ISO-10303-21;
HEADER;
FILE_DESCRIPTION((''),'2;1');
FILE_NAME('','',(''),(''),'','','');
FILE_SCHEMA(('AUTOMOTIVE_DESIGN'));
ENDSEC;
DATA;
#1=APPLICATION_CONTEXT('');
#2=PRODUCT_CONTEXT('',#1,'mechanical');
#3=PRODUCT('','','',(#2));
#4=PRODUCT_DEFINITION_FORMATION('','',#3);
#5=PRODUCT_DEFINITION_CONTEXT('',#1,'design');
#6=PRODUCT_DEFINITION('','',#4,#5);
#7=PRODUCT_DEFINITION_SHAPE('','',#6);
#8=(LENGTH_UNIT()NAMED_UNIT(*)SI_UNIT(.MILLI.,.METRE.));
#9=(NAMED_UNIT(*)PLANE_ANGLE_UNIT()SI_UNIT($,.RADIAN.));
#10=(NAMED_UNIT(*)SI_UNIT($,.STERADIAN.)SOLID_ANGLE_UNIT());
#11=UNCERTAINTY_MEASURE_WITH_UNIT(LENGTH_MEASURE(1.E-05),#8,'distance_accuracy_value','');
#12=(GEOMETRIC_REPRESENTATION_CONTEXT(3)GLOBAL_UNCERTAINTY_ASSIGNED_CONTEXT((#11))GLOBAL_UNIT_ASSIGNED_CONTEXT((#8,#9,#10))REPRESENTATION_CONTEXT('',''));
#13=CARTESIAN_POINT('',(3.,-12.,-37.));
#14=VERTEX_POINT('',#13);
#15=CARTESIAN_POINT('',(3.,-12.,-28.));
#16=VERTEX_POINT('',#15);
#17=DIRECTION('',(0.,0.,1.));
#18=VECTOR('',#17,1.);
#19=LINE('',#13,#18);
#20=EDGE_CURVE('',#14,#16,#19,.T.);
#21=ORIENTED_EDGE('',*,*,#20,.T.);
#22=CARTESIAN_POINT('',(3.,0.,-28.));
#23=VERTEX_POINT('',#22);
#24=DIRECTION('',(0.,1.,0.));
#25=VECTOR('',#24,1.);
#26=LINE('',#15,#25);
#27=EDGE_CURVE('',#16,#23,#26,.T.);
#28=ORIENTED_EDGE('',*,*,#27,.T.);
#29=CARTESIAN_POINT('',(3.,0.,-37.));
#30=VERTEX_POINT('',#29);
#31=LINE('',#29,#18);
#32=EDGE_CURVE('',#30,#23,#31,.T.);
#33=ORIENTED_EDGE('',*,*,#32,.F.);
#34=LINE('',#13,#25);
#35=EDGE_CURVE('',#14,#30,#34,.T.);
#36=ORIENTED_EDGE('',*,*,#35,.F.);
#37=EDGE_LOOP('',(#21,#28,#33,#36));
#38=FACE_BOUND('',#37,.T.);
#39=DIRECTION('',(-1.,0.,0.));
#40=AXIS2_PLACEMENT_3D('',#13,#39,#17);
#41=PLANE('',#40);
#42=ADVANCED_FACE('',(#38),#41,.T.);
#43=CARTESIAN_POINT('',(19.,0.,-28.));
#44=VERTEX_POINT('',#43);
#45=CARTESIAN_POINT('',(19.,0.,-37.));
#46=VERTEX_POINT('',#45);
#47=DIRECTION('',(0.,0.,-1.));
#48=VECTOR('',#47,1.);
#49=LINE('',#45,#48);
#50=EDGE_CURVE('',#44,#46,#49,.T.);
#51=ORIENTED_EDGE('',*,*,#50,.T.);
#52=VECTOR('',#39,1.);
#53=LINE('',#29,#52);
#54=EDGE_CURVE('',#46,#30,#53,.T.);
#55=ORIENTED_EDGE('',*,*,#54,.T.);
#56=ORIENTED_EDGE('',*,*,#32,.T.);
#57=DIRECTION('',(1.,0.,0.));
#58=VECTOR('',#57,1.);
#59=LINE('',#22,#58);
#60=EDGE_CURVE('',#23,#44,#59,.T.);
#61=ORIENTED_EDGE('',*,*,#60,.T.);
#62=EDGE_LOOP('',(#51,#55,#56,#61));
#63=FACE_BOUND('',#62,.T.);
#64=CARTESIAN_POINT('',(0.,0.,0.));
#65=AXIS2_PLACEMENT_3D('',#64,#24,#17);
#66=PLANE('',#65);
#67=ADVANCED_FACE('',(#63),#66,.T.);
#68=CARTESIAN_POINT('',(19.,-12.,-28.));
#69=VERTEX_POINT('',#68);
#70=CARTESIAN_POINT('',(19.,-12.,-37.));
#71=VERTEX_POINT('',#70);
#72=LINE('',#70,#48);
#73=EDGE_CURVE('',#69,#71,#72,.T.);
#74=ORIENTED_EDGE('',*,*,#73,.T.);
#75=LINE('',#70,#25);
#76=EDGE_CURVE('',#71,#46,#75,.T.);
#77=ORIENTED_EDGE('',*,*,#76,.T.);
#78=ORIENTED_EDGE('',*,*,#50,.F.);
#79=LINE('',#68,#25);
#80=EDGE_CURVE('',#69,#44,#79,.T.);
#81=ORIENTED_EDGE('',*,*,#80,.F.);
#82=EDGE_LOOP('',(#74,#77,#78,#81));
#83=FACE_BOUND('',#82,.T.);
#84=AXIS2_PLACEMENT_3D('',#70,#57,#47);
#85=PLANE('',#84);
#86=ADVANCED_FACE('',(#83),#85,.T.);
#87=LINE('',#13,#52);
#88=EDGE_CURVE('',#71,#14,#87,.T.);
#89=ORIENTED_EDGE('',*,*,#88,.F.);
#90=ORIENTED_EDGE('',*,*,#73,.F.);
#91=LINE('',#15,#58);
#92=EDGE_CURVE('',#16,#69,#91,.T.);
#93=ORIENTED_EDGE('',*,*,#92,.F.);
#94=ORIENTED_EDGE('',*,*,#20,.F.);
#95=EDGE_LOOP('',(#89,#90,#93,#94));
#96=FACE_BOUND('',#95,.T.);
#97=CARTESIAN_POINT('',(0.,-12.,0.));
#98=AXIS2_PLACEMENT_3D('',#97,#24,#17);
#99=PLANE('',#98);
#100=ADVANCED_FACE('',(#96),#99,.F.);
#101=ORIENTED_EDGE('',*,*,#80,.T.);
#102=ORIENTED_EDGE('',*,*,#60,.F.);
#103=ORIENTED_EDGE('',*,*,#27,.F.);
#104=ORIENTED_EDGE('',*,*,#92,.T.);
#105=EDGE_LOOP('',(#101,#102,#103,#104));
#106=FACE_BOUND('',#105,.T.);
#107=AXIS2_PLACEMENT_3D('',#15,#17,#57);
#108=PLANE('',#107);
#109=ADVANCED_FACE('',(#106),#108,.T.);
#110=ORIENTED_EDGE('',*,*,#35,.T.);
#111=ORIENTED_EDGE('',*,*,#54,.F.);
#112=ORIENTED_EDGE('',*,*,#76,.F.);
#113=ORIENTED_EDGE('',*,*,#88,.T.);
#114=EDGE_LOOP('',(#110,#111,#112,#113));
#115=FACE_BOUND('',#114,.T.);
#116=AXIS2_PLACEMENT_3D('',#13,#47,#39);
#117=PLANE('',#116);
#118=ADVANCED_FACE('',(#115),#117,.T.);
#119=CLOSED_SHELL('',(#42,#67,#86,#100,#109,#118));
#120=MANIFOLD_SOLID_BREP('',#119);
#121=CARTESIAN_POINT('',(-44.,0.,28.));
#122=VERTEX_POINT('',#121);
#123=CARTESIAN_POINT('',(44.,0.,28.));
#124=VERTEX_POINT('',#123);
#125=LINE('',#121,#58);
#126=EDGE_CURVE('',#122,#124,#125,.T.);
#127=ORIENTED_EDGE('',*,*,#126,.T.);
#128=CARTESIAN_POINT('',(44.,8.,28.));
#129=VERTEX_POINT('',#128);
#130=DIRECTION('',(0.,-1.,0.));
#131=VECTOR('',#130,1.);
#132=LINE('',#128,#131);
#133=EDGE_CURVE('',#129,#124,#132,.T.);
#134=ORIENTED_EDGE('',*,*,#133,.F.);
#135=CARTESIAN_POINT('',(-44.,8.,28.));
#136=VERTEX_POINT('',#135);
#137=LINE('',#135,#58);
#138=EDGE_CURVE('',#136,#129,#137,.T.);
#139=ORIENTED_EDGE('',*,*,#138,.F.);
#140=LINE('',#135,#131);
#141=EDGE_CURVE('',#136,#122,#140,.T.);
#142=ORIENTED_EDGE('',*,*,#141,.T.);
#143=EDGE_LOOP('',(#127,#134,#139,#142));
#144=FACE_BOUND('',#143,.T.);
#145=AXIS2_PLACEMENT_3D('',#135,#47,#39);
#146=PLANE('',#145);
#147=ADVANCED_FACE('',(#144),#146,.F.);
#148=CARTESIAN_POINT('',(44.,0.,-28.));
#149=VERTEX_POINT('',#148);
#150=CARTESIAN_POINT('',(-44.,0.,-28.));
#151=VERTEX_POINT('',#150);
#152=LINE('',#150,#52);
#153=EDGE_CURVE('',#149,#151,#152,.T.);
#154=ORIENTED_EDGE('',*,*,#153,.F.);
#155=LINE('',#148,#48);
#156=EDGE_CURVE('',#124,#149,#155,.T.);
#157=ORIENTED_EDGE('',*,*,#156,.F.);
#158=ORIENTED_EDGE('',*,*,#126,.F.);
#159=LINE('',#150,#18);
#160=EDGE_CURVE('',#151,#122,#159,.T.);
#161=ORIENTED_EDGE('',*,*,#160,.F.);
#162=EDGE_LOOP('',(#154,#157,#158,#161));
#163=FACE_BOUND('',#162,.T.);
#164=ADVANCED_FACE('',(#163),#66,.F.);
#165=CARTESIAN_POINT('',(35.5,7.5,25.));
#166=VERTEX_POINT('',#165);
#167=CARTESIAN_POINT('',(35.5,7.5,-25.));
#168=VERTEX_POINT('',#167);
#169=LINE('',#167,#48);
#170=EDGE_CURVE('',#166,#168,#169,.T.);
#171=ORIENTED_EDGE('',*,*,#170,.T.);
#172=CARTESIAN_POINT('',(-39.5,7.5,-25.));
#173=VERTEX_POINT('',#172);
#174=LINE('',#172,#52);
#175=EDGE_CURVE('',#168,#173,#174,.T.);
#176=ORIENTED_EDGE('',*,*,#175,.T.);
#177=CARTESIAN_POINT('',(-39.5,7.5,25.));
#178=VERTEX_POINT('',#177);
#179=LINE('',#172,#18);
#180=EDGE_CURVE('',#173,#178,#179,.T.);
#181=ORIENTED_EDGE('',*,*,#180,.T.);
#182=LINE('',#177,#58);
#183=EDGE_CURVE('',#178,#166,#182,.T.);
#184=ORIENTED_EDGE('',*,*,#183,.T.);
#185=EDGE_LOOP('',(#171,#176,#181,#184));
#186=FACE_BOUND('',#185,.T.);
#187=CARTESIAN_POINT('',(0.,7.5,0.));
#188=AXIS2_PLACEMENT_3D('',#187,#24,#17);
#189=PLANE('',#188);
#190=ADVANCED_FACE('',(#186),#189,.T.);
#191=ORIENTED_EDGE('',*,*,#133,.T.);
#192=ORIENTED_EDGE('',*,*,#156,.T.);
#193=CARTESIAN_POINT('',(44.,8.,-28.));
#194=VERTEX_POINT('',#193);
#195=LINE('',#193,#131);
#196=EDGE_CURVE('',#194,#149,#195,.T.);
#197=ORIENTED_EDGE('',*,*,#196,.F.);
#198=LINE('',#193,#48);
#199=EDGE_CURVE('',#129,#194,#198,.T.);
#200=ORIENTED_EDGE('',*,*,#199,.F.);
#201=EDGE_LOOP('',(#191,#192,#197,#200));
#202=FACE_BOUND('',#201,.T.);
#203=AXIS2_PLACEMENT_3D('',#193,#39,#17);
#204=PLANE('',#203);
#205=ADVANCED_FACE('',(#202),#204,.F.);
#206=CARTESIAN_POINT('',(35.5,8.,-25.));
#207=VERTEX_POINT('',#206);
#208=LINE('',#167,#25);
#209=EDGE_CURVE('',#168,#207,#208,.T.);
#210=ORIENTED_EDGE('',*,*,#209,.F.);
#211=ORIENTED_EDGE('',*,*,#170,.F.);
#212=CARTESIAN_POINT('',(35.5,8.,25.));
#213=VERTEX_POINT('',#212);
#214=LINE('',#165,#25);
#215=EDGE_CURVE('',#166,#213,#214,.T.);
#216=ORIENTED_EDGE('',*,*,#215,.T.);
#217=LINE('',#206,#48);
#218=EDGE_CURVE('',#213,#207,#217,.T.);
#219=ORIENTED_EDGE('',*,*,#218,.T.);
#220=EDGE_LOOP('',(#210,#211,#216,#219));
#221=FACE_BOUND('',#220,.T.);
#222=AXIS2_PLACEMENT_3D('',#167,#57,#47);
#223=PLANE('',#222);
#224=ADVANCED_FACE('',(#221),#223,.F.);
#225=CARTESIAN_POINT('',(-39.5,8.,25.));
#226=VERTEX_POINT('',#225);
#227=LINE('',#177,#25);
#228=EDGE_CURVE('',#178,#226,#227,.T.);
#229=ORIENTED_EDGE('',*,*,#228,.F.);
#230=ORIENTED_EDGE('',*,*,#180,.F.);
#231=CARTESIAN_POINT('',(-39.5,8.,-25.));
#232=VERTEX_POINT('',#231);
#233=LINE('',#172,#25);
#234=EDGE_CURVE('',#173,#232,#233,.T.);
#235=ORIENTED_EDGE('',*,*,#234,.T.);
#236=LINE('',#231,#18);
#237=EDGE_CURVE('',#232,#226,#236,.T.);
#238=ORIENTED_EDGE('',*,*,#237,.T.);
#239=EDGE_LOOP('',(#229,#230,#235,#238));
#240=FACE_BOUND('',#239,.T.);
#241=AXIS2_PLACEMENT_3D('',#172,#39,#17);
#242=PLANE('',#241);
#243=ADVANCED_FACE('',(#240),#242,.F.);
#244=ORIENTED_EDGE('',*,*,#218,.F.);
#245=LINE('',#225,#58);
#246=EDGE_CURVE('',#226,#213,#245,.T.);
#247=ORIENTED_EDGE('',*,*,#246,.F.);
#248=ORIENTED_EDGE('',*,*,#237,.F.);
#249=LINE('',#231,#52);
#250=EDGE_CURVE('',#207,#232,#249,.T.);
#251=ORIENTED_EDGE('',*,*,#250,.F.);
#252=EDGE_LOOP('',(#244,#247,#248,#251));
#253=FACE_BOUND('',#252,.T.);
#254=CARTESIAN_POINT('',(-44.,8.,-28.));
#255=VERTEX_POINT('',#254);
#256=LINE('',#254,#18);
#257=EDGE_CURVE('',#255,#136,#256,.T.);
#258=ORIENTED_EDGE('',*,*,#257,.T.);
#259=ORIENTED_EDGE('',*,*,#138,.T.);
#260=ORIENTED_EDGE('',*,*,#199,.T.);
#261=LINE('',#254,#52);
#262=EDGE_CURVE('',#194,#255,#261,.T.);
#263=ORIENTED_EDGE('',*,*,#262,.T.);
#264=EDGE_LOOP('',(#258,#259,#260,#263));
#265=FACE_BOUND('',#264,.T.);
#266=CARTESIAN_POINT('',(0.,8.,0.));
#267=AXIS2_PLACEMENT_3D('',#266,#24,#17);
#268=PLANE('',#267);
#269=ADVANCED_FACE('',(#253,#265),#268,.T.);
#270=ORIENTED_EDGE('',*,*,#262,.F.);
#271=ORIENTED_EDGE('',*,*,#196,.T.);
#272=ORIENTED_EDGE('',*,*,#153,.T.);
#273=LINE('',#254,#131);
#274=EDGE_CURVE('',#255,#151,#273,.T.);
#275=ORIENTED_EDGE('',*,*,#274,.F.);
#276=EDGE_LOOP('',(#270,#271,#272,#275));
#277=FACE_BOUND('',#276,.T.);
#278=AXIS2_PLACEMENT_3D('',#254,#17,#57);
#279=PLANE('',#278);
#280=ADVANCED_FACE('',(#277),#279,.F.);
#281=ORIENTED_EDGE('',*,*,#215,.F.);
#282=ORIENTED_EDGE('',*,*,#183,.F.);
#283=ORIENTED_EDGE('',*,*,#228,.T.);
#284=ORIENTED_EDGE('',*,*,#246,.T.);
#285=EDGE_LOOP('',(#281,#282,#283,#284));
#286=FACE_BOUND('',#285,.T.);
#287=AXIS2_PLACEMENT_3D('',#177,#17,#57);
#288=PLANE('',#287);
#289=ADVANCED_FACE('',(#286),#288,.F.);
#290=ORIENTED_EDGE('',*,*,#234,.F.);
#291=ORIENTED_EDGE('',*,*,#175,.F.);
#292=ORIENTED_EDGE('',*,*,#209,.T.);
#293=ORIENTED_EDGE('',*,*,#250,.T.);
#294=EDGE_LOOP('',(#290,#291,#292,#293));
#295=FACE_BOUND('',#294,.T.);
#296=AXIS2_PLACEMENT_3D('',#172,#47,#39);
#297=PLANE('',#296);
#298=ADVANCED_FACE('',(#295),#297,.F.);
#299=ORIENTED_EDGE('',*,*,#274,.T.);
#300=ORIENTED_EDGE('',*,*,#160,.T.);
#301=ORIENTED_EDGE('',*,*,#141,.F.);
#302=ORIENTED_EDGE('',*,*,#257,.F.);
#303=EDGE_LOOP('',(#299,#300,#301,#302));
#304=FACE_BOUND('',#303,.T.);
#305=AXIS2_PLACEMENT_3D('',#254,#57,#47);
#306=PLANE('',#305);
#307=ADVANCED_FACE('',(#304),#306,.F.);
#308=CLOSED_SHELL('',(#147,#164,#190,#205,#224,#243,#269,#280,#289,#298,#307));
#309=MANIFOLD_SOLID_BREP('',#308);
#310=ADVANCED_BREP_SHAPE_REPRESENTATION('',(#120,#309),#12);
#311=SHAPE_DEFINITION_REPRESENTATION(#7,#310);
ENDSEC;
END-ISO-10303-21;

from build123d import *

# Parameters (mm, degrees)
SKETCH1_W           = 88
SKETCH1_H           = 56
BOSS_EXTRUDE1_DEPTH = 8
SKETCH2_W           = 75
SKETCH2_H           = 50
CUT_EXTRUDE1_DEPTH  = 0.5
SKETCH3_W           = 16
SKETCH3_H           = 9
BOSS_EXTRUDE2_DEPTH = 12


with BuildPart() as part:
    # Sketch1 → Boss-Extrude1 (new body)
    with BuildSketch(Plane(origin=(0, 0, 0), x_dir=(1, 0, 0), z_dir=(0, 1, 0))):
        Rectangle(SKETCH1_W, SKETCH1_H)
    extrude(amount=BOSS_EXTRUDE1_DEPTH)

    # Sketch2 → Cut-Extrude1 (cut)
    with BuildSketch(Plane(origin=(0, 8, 0), x_dir=(1, 0, 0), z_dir=(0, 1, 0))):
        with Locations((-2, 0)):
            Rectangle(SKETCH2_W, SKETCH2_H)
    extrude(amount=-CUT_EXTRUDE1_DEPTH, mode=Mode.SUBTRACT)


with BuildPart() as body_2:
    # Sketch3 → Boss-Extrude2 (new body)
    with BuildSketch(Plane(origin=(0, 0, 0), x_dir=(1, 0, 0), z_dir=(0, 1, 0))):
        with Locations((11, 32.5)):
            Rectangle(SKETCH3_W, SKETCH3_H)
    extrude(amount=-BOSS_EXTRUDE2_DEPTH)


solid = Compound([part.part, body_2.part])
